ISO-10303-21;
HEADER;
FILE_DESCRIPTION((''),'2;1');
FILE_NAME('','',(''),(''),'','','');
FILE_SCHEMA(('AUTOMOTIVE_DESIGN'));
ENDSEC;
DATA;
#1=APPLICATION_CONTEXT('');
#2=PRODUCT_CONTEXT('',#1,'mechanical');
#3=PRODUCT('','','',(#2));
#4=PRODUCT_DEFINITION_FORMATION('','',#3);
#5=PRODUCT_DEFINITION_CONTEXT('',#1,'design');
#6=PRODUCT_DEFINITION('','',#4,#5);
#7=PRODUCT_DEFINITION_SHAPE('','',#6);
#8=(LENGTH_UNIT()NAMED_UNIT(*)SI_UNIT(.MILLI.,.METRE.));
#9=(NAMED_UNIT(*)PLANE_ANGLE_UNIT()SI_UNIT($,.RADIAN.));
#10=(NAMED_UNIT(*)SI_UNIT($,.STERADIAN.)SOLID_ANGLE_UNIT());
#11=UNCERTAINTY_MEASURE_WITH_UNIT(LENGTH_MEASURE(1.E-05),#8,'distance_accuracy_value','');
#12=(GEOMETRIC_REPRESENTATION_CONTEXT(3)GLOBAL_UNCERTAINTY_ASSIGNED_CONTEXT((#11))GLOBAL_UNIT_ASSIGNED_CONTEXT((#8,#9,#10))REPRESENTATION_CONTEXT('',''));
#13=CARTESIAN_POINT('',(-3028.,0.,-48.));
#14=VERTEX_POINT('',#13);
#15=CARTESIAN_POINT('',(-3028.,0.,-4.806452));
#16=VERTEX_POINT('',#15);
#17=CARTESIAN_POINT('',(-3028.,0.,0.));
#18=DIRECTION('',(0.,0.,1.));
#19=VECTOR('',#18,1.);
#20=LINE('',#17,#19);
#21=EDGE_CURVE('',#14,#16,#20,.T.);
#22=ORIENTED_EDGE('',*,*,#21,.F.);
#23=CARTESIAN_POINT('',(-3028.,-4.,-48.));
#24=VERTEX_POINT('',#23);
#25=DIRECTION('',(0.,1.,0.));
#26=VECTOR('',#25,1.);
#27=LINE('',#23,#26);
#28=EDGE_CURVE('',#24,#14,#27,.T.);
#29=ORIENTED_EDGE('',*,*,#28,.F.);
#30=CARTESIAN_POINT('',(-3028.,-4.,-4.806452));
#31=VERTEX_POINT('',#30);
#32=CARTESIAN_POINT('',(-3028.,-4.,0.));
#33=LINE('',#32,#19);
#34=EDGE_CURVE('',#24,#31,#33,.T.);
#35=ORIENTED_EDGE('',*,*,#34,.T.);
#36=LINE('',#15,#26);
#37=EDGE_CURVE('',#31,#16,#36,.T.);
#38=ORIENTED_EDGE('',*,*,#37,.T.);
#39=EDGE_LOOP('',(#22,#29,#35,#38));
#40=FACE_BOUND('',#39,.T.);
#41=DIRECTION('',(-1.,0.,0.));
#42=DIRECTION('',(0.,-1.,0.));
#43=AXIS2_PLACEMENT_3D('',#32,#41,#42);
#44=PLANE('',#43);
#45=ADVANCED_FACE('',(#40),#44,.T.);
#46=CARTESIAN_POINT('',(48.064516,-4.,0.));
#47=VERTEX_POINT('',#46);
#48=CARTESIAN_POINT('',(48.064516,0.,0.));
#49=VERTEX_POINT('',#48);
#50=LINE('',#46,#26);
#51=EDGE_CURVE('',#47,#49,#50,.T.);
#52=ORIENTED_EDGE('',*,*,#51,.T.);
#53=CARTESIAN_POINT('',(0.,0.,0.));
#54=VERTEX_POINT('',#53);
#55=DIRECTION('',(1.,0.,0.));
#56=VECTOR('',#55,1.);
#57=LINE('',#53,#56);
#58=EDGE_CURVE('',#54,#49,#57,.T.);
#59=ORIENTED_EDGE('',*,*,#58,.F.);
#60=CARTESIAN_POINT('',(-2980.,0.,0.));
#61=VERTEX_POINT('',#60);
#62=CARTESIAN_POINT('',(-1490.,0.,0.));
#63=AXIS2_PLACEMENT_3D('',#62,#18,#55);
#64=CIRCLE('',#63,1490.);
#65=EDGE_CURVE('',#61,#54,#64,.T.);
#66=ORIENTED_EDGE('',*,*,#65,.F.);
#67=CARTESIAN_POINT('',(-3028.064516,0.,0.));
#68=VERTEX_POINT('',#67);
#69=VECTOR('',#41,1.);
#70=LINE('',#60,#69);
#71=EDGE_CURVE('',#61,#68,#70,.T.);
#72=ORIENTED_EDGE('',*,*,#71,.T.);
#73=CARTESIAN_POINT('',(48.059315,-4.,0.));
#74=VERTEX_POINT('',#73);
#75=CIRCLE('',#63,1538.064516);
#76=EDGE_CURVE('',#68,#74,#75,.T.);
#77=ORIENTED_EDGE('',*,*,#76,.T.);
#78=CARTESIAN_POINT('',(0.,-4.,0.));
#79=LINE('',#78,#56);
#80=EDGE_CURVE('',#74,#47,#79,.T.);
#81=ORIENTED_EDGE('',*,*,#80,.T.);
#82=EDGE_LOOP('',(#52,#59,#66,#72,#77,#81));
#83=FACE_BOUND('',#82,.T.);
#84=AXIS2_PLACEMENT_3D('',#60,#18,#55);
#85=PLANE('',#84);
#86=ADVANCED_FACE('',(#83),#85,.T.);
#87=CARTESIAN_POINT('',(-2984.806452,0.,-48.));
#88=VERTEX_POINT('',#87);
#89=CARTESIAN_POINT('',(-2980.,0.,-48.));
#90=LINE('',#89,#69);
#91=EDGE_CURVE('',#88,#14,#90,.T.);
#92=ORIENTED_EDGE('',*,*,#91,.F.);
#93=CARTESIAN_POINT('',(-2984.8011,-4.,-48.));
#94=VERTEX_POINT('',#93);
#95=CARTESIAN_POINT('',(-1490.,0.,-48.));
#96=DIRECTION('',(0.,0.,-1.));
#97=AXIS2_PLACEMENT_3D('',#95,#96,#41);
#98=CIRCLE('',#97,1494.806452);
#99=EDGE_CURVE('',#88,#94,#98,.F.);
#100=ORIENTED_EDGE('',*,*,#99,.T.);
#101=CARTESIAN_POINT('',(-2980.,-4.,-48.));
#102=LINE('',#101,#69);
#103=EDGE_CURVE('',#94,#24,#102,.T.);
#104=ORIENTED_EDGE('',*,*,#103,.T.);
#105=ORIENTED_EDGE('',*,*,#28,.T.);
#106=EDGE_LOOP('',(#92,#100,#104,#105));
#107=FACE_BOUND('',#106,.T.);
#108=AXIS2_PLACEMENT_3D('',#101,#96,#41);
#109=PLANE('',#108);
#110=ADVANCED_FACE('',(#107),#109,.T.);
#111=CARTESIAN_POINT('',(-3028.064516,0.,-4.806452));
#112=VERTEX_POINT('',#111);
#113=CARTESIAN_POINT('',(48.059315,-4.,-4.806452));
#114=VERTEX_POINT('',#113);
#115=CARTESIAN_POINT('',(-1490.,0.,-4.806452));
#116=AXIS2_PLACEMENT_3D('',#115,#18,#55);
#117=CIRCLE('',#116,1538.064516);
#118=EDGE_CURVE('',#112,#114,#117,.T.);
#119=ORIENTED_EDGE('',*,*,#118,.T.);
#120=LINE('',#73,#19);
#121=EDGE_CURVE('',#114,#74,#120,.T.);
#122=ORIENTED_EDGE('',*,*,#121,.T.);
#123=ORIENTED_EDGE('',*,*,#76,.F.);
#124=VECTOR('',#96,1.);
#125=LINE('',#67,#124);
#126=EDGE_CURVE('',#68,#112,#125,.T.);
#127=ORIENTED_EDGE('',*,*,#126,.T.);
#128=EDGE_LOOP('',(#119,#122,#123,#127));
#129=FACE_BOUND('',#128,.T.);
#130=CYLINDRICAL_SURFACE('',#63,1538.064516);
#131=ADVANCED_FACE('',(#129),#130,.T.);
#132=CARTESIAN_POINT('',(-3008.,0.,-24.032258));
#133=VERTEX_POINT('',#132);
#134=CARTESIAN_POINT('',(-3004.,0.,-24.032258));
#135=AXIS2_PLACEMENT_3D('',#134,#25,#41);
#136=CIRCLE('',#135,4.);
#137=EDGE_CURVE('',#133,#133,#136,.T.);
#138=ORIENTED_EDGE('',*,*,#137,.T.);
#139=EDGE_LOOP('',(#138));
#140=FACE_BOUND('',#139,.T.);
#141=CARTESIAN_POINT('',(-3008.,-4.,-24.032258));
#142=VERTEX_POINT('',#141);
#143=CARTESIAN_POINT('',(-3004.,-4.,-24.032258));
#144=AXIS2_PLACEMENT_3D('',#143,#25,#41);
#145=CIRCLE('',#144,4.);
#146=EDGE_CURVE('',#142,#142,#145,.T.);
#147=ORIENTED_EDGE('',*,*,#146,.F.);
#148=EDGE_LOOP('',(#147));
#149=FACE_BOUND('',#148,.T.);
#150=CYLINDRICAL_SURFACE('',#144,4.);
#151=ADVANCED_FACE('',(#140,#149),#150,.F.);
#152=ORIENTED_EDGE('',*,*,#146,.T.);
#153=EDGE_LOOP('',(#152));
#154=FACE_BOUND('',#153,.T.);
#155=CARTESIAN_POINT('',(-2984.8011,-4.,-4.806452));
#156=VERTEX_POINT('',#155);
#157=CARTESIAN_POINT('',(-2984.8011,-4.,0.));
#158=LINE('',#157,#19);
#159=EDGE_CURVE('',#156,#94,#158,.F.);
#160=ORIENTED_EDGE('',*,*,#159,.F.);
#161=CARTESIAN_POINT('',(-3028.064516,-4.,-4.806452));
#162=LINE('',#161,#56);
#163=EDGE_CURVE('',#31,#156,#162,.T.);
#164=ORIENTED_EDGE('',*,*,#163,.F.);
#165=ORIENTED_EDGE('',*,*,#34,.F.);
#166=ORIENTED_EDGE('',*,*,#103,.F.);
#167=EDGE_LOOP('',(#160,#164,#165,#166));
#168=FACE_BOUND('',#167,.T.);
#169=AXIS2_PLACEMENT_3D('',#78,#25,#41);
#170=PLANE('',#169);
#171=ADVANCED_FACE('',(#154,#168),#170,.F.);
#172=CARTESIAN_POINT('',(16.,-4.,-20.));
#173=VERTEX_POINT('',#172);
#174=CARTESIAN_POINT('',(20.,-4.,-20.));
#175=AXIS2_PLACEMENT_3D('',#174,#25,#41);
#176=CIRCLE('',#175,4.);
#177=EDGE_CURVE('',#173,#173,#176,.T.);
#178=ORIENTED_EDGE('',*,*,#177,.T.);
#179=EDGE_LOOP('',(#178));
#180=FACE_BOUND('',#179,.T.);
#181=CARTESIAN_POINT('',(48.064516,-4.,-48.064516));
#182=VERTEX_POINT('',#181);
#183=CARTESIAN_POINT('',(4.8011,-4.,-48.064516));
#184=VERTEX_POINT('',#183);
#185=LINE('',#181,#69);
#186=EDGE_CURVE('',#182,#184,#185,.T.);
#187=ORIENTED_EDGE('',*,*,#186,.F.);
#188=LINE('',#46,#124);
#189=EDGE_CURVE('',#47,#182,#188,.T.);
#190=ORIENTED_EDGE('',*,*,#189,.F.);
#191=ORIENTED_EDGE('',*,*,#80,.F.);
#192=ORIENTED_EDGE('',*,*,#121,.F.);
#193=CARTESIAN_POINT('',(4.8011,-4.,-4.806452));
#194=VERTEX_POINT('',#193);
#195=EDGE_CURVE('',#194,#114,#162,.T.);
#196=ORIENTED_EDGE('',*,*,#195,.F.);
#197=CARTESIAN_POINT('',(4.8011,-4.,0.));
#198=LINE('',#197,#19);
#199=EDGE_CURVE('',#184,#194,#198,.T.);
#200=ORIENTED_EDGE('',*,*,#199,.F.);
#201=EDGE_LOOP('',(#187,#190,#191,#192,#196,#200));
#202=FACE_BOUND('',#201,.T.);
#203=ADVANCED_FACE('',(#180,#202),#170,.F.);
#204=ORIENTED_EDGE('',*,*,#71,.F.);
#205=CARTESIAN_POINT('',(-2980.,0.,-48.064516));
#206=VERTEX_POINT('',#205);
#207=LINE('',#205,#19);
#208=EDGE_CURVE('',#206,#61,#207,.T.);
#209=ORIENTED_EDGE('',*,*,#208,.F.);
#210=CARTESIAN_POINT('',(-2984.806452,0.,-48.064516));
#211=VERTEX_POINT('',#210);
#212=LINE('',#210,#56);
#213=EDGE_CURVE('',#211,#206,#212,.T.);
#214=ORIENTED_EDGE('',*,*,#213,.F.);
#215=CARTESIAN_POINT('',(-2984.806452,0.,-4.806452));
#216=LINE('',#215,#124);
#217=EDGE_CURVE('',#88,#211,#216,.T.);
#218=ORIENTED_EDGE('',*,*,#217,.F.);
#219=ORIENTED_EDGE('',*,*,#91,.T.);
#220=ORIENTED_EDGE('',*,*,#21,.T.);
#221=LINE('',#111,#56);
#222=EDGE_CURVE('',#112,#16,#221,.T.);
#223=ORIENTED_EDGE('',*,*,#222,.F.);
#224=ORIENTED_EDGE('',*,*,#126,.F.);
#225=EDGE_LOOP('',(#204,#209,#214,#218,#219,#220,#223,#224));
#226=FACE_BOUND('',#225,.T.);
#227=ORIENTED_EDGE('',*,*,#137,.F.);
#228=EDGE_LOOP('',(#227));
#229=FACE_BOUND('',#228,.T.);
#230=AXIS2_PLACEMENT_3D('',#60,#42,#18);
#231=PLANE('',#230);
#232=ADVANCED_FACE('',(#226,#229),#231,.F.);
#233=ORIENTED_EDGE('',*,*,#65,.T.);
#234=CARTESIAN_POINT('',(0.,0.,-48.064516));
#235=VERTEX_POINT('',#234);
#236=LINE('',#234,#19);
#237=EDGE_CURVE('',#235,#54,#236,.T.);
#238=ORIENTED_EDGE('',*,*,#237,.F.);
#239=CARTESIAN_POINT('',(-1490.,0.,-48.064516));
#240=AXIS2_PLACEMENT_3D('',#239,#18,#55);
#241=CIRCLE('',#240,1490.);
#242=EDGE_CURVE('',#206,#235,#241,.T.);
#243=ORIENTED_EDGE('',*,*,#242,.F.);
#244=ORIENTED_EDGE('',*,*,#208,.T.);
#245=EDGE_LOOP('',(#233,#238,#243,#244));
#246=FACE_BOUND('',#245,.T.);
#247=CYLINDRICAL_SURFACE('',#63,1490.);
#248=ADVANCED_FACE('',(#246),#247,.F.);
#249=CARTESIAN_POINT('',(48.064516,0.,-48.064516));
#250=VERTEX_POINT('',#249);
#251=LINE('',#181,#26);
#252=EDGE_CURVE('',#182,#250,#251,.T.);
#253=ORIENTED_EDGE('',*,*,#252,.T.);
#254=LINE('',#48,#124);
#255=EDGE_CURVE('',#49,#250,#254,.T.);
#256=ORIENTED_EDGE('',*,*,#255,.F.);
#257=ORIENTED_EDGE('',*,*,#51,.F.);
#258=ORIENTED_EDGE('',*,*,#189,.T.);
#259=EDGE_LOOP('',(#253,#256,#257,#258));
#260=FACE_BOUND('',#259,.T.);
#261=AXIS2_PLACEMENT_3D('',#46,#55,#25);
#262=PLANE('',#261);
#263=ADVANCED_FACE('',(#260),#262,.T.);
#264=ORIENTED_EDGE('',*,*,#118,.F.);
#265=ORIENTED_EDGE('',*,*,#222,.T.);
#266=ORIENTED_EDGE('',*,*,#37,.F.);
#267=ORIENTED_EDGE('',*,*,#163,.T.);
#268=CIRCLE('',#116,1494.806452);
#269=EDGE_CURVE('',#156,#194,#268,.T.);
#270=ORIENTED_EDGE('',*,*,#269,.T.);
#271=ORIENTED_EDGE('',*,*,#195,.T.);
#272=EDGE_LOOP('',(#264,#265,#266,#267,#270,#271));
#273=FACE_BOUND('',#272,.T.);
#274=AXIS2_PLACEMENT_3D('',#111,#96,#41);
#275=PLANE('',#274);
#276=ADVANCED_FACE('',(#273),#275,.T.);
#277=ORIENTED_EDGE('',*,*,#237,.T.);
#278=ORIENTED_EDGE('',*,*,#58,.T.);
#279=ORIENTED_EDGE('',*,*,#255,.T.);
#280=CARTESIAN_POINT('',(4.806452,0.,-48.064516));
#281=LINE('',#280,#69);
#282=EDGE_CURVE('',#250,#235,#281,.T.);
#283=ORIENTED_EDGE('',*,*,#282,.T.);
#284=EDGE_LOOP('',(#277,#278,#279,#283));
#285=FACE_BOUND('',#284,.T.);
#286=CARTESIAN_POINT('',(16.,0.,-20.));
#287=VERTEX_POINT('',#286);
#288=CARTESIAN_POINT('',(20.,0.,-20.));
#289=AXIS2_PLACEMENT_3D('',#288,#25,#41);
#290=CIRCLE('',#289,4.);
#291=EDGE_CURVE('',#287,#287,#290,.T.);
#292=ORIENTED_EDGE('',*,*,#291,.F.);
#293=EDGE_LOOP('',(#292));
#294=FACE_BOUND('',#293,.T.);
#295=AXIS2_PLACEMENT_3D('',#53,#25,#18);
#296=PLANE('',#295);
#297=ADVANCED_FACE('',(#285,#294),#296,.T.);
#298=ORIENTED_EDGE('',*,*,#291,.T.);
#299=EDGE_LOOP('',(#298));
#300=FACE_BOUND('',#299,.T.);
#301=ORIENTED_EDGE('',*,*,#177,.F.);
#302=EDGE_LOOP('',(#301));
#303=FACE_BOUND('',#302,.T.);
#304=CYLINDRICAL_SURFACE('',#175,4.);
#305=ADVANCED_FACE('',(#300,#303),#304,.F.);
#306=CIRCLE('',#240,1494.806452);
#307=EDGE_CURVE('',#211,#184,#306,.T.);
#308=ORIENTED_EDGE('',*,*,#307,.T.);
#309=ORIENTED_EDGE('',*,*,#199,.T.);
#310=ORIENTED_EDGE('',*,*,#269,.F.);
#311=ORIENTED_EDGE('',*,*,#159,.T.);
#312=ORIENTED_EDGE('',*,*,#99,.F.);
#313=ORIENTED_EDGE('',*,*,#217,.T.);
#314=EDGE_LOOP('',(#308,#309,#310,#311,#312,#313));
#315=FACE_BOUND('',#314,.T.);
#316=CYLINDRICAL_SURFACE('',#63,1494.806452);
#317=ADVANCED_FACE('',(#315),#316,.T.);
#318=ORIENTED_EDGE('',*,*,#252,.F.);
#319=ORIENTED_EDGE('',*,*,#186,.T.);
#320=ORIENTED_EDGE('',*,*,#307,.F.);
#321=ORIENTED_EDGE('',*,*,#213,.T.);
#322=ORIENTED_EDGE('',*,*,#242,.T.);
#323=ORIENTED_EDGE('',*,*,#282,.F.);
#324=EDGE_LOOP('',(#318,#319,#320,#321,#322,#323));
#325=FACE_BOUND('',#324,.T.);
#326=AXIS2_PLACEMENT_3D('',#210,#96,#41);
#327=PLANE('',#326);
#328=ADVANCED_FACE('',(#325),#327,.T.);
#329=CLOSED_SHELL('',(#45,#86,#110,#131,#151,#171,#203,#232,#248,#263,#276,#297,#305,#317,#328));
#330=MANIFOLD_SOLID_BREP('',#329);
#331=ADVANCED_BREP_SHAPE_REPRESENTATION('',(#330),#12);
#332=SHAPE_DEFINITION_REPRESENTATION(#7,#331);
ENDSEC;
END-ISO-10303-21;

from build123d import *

# Parameters (mm, degrees)
REVOLVE1_ANGLE      = 180
SKETCH4_W           = 48.064516129
SKETCH4_H           = 48.064516129
SKETCH4_R           = 4
SKETCH4_W_2         = 48
SKETCH4_H_2         = 48
BOSS_EXTRUDE1_DEPTH = 4


with BuildPart() as part:
    # Sketch1 → Revolve1 (revolve)
    with BuildSketch(Plane(origin=(0, 0, 0), x_dir=(1, 0, 0), z_dir=(0, 1, 0))):
        Polygon((0, 0), (48.064516129, 0), (48.064516129, 4.806451613), (4.806451613, 4.806451613), (4.806451613, 48.064516129), (0, 48.064516129), align=None)
    revolve(axis=Axis((-1490, 0, 0), (0, 0, -1)), revolution_arc=REVOLVE1_ANGLE)

    # Sketch4 → Boss-Extrude1 (add)
    # profile 1 of 2: a face of its own
    with BuildSketch(Plane(origin=(0, 0, 0), x_dir=(1, 0, 0), z_dir=(0, 1, 0))):
        with Locations((24.032258065, 24.032258065)):
            Rectangle(SKETCH4_W, SKETCH4_H)
        with Locations(Location((20, 20, 0), (0, 0, 180))):
            Circle(SKETCH4_R, mode=Mode.SUBTRACT)
    # profile 2 of 2: a face of its own
    with BuildSketch(Plane(origin=(0, 0, 0), x_dir=(1, 0, 0), z_dir=(0, 1, 0))):
        with Locations((-3004, 24)):
            Rectangle(SKETCH4_W_2, SKETCH4_H_2)
        with Locations(Location((-3004, 24.032258065, 0), (0, 0, 180))):
            Circle(SKETCH4_R, mode=Mode.SUBTRACT)
    extrude(amount=-BOSS_EXTRUDE1_DEPTH)


solid = part.part
